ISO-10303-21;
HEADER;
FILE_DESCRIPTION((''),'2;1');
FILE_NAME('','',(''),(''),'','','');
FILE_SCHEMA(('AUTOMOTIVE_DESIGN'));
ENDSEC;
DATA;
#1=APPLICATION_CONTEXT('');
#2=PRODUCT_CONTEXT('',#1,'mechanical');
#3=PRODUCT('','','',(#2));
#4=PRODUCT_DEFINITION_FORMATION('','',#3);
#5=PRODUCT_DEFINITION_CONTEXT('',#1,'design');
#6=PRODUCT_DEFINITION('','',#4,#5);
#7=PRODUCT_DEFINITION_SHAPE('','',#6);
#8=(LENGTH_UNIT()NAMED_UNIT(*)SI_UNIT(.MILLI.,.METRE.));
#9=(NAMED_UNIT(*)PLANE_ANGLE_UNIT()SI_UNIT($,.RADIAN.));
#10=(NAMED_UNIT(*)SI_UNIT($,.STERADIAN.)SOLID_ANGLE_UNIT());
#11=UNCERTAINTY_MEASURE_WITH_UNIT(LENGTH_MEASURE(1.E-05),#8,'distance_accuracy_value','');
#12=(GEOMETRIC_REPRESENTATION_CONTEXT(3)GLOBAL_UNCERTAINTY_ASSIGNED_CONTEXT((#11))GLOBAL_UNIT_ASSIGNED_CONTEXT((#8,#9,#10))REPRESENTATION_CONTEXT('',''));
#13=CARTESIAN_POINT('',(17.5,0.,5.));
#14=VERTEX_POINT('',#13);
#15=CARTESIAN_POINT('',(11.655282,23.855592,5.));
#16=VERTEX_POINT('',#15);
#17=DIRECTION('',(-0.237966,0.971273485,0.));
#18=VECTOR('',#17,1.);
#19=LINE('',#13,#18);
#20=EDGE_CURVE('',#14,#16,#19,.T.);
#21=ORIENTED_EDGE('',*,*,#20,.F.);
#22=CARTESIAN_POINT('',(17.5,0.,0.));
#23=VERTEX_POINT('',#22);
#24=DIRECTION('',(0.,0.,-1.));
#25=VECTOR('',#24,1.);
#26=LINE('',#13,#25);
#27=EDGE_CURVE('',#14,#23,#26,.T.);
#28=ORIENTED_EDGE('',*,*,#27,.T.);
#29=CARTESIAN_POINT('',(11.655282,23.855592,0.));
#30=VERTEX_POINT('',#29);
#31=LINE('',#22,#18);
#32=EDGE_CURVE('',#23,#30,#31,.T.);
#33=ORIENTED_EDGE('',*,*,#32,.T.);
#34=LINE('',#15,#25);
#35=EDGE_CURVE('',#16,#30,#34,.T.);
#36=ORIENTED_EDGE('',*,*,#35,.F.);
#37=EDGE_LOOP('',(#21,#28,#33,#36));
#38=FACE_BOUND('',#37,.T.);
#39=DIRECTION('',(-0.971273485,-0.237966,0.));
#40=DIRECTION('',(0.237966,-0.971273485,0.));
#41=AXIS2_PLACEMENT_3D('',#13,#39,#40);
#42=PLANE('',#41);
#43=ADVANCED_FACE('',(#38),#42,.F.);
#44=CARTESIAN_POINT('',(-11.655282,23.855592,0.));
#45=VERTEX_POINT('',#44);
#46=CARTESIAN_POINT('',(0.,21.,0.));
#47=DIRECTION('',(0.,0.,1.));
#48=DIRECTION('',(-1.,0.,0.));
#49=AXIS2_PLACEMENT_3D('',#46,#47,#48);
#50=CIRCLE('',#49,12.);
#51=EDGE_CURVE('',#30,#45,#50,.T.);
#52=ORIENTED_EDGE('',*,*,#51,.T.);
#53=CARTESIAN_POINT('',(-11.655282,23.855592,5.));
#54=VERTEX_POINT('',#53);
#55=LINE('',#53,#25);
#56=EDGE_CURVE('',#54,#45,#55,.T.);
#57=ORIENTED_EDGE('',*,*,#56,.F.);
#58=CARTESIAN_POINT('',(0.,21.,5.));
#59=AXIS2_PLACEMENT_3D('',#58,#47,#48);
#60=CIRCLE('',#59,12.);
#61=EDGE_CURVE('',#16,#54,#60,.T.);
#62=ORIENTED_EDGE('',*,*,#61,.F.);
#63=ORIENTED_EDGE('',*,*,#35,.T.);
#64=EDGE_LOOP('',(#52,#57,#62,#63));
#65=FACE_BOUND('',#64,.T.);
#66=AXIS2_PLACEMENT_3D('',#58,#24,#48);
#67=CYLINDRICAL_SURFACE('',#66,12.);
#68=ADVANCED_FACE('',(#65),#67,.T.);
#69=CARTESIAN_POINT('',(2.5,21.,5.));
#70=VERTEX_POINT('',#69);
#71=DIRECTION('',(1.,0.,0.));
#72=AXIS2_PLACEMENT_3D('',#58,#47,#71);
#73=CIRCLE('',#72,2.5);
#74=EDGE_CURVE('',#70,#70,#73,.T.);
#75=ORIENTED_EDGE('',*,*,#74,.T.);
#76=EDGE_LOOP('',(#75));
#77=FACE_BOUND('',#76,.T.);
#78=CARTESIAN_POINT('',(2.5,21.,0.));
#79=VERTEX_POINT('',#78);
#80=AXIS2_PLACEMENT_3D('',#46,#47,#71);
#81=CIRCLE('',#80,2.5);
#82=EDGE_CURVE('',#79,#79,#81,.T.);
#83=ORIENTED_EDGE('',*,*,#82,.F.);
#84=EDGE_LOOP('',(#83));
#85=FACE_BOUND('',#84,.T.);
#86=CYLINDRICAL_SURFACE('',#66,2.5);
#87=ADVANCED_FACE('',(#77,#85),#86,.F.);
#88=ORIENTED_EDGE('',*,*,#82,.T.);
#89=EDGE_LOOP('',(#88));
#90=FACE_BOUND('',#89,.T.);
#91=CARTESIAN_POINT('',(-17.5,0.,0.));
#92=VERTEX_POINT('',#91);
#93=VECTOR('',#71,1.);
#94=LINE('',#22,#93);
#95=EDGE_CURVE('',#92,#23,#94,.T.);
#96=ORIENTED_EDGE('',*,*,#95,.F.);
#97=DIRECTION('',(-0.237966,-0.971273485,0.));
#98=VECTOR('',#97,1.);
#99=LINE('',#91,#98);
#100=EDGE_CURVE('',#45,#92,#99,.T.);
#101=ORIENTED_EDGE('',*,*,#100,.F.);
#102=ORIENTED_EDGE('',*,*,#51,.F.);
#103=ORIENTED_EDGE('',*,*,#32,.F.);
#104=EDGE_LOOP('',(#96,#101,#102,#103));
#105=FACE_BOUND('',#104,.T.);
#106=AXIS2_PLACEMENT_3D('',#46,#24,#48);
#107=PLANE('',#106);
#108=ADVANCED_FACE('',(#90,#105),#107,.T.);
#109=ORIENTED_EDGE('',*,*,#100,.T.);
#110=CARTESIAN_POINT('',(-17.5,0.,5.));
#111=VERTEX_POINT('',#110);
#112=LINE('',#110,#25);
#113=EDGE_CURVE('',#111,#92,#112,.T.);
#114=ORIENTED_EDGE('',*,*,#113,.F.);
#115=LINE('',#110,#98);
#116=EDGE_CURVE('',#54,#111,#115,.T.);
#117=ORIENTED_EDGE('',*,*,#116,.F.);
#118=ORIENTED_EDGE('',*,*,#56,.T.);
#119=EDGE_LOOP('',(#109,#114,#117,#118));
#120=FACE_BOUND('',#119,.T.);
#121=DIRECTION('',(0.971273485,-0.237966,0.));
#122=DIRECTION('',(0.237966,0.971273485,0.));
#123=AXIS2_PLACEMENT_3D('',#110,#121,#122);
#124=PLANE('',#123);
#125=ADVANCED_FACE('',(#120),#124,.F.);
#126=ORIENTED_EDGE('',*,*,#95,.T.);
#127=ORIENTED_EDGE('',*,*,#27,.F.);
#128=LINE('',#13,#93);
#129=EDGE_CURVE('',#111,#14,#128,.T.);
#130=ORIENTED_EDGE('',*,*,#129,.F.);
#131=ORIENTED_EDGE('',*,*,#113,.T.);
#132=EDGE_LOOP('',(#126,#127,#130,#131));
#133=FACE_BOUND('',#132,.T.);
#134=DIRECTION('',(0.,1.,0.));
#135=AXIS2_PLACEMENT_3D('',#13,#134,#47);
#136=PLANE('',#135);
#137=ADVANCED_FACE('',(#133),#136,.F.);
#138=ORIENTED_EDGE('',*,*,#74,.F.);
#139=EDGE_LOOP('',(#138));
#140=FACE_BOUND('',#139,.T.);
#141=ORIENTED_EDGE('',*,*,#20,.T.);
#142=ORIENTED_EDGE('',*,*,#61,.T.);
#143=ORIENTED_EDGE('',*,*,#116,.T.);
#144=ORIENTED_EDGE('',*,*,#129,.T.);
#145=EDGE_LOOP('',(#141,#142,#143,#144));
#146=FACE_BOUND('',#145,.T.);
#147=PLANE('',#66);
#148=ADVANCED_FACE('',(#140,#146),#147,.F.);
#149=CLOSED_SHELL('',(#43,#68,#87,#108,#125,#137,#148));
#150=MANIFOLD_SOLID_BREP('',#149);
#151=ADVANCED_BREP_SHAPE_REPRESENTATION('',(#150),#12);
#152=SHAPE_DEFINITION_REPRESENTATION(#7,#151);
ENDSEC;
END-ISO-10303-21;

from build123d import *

# Parameters (mm, degrees)
SZKIC1_R                    = 2.5
DODANIE_WYCI_GNI_CIE1_DEPTH = 5


with BuildPart() as part:
    # Szkic1 → Dodanie-wyciągnięcie1 (new body)
    with BuildSketch(Plane.XY):
        with BuildLine():
            Line((17.5, 0), (-17.5, 0))
            Line((-17.5, 0), (-11.655281822, 23.855591995))
            ThreePointArc((-11.655281822, 23.855591995), (0, 33), (11.655281822, 23.855591995))
            Line((11.655281822, 23.855591995), (17.5, 0))
        make_face()
        with Locations((0, 21)):
            Circle(SZKIC1_R, mode=Mode.SUBTRACT)
    extrude(amount=DODANIE_WYCI_GNI_CIE1_DEPTH)


solid = part.part
